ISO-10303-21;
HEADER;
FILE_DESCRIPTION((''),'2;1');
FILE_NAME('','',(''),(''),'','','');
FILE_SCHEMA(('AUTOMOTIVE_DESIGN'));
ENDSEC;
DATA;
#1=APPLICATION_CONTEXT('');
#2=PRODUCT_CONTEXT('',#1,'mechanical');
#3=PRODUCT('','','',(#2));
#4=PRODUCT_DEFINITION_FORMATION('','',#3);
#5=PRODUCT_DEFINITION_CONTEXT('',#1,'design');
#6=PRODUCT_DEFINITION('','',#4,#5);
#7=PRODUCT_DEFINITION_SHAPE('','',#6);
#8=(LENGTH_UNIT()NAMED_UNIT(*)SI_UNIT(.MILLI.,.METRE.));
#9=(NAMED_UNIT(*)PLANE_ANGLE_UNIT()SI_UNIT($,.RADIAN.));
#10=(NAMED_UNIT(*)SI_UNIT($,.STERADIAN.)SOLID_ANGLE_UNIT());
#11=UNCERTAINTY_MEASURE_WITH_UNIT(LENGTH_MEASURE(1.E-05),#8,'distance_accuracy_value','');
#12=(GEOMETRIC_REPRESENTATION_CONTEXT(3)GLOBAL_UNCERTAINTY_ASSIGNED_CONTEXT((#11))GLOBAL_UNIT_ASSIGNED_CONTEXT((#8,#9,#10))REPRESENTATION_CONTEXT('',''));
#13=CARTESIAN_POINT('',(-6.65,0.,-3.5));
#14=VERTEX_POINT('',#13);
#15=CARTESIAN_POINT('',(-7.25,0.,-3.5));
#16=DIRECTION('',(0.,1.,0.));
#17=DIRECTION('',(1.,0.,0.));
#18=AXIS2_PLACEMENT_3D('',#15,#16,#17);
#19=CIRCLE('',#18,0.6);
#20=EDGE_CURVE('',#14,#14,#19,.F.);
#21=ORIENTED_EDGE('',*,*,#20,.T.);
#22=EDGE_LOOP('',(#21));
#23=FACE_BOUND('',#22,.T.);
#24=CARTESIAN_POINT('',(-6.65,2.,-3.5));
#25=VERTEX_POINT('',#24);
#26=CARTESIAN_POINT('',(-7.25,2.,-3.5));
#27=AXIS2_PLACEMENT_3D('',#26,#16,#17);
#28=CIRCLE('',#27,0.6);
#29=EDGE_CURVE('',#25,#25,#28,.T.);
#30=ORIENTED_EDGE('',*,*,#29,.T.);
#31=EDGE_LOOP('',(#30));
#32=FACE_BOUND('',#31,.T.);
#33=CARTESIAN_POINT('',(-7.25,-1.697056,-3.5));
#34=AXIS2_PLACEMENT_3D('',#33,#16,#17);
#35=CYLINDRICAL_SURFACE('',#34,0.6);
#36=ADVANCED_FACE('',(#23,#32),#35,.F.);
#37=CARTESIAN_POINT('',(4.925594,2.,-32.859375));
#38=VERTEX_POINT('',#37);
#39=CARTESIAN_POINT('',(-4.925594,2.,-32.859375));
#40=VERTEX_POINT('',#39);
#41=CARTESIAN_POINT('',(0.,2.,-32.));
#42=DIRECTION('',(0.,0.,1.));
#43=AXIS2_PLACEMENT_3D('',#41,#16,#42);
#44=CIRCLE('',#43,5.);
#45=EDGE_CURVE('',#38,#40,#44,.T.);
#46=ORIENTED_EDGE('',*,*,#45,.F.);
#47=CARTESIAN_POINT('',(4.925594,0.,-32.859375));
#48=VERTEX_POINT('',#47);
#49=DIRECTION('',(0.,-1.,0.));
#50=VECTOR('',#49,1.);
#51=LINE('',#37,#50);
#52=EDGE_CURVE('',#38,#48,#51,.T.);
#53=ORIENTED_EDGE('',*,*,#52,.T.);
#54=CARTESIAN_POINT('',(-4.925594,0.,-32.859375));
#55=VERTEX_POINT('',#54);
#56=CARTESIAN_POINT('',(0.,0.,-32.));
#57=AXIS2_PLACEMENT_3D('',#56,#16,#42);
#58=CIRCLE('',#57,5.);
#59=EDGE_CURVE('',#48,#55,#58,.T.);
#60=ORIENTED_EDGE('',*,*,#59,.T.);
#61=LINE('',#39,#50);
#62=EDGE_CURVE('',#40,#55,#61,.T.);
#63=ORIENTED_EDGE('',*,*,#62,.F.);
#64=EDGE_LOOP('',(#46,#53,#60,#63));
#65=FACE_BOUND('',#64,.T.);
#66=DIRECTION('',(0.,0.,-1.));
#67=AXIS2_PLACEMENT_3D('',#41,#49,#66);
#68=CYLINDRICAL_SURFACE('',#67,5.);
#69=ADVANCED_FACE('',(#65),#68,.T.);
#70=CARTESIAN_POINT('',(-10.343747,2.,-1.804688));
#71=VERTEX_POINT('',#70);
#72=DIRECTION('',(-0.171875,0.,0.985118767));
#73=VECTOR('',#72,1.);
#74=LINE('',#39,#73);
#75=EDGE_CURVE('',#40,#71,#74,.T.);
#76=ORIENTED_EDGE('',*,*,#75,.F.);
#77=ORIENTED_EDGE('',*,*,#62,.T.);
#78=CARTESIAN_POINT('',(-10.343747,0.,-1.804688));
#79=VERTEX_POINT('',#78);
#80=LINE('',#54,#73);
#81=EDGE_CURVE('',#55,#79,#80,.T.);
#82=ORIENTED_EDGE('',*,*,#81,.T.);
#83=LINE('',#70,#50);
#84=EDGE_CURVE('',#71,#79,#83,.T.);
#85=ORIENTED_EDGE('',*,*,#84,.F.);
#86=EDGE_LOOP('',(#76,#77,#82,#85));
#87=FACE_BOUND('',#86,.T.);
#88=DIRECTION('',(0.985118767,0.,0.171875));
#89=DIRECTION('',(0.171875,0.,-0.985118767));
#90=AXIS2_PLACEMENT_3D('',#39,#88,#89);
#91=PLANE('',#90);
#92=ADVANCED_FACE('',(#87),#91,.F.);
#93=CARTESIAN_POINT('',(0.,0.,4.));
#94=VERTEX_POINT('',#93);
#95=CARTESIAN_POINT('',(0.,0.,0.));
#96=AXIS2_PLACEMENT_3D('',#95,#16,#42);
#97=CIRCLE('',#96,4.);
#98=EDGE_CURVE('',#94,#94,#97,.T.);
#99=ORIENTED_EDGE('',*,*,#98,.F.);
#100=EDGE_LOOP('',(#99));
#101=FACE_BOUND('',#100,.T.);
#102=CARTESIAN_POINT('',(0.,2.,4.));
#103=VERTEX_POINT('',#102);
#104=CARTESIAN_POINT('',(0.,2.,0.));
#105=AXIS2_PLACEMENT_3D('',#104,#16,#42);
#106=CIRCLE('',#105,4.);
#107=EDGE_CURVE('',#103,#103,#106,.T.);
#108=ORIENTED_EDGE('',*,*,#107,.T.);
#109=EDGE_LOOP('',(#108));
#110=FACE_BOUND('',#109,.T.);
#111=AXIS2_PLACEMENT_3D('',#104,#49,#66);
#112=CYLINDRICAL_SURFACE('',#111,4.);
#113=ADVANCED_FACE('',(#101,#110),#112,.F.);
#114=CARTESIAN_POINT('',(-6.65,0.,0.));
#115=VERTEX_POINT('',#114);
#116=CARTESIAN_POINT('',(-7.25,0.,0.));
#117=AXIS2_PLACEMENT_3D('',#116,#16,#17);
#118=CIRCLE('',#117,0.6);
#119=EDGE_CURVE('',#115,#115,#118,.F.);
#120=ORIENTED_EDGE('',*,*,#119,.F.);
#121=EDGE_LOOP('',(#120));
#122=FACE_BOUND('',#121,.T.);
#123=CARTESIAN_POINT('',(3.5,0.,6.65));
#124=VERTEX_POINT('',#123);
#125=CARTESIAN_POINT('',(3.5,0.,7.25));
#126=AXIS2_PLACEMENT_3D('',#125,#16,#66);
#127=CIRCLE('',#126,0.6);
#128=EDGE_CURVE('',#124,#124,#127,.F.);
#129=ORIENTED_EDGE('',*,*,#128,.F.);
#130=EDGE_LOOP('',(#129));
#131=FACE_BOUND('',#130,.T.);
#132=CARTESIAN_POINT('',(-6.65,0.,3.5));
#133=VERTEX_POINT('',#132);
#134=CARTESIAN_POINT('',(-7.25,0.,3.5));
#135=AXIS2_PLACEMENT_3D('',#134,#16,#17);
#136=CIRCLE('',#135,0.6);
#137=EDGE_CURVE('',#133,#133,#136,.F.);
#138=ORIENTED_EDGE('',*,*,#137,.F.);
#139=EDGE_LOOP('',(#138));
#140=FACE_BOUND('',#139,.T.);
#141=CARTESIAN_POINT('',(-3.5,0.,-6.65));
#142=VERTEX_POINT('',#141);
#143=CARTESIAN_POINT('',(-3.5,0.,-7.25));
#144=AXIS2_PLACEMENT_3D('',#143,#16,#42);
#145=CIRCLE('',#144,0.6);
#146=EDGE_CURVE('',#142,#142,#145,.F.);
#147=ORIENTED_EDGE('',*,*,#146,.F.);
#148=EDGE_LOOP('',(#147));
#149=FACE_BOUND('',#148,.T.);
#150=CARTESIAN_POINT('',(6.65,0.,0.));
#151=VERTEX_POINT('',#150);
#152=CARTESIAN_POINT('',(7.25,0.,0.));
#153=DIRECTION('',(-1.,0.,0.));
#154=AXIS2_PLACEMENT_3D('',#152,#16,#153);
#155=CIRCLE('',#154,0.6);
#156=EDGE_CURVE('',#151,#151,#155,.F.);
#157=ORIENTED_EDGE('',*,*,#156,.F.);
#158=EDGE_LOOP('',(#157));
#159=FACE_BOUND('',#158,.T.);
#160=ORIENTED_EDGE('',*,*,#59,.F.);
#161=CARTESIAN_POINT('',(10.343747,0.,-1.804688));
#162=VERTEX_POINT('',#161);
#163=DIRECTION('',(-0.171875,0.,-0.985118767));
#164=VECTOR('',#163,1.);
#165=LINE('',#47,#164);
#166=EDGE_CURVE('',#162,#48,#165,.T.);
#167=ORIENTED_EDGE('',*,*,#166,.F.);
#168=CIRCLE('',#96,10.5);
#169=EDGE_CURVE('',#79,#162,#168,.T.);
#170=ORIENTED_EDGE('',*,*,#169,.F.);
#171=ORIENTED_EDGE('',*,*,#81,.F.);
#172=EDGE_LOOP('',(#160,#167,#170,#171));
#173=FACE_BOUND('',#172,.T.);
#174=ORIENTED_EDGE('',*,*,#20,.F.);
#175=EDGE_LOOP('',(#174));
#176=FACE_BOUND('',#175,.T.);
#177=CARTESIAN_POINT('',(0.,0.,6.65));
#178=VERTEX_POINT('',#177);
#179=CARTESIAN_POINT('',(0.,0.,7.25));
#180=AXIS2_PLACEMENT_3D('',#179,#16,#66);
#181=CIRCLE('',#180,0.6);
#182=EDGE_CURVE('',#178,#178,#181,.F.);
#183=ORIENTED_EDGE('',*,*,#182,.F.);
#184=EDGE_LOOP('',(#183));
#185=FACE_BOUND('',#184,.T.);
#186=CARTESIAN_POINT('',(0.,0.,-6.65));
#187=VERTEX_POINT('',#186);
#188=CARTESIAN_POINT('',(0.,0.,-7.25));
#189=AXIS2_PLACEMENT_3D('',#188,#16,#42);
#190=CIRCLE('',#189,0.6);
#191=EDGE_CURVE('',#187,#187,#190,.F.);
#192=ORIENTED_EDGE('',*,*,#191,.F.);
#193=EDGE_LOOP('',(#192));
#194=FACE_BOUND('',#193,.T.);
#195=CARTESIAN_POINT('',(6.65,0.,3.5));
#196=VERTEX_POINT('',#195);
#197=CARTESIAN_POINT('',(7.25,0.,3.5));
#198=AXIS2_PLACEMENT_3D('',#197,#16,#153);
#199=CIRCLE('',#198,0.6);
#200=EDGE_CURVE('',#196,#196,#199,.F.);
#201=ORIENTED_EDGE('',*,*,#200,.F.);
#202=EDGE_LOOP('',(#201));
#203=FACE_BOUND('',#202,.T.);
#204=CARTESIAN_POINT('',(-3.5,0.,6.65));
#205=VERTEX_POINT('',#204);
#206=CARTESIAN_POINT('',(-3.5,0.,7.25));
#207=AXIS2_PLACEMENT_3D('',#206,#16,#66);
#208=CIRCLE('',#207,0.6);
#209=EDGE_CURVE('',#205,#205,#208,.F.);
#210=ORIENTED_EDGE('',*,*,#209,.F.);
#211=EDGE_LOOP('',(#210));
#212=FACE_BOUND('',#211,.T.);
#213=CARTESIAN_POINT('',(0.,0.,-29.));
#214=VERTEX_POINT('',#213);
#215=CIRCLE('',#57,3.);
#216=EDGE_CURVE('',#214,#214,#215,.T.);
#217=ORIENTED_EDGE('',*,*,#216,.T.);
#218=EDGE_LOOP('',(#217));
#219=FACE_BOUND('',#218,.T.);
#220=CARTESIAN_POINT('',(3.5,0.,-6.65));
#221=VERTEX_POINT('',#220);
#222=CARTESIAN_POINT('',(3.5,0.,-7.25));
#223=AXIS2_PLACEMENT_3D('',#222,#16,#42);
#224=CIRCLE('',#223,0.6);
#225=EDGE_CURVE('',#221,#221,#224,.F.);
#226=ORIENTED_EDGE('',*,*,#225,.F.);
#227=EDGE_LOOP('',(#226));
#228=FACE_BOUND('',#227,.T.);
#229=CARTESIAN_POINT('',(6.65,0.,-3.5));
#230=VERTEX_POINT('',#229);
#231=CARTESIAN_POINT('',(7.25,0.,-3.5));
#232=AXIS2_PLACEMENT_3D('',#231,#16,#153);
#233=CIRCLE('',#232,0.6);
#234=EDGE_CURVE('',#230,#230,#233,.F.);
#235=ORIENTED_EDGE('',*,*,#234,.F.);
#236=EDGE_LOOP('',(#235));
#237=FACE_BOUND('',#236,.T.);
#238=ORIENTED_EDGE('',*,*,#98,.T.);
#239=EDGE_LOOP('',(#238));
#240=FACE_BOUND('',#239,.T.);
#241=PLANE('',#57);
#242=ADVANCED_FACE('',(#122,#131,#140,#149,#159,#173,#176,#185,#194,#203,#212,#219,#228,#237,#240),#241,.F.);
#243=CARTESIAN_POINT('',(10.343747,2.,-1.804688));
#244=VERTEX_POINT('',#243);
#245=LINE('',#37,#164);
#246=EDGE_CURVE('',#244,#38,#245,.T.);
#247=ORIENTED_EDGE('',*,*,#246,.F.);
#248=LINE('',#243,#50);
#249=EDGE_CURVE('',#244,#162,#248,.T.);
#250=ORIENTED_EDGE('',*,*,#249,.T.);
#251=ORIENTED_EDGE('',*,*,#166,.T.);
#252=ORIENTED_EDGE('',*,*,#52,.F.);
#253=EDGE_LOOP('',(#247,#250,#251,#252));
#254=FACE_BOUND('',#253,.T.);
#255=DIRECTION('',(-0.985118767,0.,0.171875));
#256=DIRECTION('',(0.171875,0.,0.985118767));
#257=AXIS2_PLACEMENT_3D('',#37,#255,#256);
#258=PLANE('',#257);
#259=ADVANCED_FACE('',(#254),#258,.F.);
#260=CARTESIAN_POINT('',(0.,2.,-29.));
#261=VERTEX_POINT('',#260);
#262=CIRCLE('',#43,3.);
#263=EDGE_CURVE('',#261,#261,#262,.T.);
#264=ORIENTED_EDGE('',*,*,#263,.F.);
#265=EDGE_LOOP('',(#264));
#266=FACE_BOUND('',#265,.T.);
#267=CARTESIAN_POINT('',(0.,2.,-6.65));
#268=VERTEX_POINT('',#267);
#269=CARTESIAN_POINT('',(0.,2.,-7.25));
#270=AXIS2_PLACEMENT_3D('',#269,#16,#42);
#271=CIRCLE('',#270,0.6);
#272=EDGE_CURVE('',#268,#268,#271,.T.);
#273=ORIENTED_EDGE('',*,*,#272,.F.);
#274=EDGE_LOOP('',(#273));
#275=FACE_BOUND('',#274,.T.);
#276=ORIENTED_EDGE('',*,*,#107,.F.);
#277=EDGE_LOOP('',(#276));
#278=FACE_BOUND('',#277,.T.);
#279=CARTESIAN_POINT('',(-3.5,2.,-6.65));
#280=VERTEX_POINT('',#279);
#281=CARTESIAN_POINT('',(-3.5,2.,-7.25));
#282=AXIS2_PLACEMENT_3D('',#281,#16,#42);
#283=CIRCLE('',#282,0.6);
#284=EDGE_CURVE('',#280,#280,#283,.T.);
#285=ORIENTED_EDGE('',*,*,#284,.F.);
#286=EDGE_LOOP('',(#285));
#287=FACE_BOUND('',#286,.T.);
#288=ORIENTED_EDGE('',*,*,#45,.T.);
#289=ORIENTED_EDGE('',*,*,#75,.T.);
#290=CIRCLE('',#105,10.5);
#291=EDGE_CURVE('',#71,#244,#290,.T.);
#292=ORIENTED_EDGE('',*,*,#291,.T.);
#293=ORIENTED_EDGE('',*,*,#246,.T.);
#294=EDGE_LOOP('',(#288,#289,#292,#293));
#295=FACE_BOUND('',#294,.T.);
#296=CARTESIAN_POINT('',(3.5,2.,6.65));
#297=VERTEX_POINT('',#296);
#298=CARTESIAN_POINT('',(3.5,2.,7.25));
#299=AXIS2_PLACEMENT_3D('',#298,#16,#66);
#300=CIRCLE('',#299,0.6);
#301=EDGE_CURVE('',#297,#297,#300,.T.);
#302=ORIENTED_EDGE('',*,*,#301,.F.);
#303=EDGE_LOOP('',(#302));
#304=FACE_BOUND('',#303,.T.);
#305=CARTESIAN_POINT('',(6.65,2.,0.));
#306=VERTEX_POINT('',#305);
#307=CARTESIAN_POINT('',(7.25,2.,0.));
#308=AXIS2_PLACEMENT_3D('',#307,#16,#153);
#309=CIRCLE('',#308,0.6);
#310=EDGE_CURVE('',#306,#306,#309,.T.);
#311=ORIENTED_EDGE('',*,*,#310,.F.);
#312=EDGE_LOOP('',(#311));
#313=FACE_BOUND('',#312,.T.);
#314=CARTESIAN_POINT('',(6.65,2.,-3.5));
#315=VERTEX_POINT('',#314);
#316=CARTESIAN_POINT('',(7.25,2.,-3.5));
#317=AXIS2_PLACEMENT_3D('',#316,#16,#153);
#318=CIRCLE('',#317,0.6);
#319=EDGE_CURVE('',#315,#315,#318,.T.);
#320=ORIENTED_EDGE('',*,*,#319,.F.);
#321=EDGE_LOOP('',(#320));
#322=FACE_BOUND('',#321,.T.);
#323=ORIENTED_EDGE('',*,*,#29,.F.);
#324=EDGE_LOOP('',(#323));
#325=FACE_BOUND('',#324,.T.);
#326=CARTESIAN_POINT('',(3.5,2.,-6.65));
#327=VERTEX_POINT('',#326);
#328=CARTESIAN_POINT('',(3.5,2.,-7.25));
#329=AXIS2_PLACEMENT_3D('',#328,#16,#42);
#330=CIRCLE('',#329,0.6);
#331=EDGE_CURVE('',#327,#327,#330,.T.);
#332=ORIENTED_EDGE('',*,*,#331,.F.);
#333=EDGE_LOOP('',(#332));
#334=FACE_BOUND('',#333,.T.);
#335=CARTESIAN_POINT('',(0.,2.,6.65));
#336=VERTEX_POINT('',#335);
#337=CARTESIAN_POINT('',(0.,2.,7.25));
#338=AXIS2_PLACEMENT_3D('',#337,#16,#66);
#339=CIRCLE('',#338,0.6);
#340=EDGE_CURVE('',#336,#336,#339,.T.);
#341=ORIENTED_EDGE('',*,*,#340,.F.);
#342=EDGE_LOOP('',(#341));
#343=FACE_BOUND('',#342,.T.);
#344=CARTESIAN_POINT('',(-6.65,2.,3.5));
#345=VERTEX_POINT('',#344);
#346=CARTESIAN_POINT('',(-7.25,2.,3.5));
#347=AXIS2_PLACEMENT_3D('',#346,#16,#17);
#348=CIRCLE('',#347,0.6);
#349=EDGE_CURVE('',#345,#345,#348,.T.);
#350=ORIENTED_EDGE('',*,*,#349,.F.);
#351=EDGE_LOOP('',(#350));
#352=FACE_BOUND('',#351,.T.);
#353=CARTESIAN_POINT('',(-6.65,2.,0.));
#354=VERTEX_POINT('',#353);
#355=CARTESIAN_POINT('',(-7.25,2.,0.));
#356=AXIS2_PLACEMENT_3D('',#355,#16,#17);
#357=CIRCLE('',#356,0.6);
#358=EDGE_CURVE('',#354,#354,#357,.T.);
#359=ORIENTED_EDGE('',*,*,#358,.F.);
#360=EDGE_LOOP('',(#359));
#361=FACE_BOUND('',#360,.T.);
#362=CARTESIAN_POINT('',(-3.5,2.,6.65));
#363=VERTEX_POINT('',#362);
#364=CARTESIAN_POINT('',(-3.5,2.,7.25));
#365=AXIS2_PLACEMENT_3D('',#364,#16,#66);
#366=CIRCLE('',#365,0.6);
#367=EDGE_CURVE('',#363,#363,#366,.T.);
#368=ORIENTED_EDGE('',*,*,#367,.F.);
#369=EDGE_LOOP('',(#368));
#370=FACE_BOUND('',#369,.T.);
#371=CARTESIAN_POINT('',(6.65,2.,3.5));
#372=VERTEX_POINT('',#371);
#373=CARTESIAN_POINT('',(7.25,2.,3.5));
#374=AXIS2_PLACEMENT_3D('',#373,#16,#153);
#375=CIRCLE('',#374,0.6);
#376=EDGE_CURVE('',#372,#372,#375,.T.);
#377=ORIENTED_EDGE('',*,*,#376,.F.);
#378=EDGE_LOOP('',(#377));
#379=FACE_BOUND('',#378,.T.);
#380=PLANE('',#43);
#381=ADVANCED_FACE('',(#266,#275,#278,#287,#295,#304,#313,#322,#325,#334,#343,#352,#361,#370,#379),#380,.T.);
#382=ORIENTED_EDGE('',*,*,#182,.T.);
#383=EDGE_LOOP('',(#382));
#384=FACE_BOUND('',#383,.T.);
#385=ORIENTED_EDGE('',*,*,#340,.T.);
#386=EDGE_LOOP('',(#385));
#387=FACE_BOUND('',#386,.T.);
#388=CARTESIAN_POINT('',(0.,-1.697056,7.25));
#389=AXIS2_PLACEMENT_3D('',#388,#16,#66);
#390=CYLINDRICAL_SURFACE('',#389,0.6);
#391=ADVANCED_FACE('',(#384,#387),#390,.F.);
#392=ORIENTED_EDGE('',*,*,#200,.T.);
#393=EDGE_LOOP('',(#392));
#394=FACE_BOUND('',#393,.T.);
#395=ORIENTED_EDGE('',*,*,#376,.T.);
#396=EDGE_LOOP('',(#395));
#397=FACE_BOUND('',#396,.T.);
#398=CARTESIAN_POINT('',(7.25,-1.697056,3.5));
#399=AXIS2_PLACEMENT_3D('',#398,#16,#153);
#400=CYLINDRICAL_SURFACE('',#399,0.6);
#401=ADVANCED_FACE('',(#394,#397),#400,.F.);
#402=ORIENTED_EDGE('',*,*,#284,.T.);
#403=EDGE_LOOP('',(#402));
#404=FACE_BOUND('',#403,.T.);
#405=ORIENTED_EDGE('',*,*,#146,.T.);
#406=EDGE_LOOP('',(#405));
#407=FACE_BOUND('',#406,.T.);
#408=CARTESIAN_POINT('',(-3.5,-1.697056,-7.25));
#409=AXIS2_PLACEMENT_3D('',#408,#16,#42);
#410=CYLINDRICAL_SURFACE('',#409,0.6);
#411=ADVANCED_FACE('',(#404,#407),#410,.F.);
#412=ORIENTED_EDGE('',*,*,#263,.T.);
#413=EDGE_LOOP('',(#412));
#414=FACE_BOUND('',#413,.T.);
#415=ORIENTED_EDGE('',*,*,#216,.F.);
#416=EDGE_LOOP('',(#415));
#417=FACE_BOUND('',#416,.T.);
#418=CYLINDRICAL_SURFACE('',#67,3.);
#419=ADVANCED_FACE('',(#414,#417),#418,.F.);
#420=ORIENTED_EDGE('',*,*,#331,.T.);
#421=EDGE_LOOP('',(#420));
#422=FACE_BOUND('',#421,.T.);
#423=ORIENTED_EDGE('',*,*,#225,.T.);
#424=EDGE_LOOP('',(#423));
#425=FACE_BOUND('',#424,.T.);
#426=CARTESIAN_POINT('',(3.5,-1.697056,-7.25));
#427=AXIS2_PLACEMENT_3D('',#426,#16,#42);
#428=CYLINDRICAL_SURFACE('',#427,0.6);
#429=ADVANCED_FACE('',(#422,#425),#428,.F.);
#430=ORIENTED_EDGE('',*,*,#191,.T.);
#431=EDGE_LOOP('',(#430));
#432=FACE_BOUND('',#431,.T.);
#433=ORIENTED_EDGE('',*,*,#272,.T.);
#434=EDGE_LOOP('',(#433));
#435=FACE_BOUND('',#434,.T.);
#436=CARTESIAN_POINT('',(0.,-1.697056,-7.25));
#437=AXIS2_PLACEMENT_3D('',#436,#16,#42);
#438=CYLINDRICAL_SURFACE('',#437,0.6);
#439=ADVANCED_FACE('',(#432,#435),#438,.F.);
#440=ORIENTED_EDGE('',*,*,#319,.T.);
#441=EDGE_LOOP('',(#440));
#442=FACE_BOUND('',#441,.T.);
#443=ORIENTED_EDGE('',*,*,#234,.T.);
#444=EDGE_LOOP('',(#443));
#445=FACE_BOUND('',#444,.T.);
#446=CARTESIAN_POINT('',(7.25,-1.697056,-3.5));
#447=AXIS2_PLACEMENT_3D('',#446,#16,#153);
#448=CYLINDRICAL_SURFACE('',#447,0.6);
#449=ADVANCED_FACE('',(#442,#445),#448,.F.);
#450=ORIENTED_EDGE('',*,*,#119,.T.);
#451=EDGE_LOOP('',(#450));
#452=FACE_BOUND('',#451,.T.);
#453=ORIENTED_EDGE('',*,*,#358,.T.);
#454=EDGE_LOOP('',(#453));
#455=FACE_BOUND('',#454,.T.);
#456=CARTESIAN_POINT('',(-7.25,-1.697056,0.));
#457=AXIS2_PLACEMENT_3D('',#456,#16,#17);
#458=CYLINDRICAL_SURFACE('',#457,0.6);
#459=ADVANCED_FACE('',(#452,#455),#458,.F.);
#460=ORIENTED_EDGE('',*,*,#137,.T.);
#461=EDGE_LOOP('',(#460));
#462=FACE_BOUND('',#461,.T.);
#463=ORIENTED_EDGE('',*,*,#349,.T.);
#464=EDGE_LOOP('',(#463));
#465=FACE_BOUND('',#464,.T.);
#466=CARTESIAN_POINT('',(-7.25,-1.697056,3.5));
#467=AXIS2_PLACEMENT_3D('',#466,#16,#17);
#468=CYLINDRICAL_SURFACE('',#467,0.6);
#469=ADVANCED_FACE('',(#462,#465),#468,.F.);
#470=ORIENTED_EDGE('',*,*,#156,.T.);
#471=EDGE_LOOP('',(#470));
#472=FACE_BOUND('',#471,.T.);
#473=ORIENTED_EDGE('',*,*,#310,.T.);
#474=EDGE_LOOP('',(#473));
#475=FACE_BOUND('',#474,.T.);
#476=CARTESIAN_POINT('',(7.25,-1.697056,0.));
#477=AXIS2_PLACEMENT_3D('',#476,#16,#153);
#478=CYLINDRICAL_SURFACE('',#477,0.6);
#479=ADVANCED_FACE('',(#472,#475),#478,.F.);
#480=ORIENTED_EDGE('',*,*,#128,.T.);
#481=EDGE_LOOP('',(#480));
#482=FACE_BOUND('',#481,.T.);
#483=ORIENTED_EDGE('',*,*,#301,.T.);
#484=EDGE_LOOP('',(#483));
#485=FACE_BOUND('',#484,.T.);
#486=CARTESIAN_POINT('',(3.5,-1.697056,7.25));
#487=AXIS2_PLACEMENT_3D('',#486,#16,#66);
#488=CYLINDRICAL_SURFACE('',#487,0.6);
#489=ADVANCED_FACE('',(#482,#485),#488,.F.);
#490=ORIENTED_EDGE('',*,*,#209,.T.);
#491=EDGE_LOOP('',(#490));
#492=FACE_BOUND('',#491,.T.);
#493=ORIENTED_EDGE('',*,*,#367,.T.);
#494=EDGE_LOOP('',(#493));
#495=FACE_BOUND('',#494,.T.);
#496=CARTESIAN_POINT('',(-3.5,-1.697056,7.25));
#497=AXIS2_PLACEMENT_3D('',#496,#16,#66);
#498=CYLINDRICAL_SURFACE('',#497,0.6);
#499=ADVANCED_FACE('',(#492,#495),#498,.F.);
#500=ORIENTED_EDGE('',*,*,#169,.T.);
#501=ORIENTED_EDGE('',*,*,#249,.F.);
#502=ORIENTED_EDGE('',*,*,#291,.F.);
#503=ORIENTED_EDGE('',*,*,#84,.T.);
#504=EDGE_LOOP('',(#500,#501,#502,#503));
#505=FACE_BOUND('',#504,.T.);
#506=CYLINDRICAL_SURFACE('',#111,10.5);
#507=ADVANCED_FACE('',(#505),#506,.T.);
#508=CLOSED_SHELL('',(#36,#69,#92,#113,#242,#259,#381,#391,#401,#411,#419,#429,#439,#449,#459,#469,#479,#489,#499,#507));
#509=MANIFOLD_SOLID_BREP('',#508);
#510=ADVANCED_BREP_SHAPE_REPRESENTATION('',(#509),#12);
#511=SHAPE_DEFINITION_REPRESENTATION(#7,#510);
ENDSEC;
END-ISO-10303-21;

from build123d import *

# Parameters (mm, degrees)
CROQUIS1_R              = 4
CROQUIS1_R_2            = 3
SALIENTE_EXTRUIR1_DEPTH = 2
SKETCH1_R               = 0.6
CUT_EXTRUDE1_DEPTH      = 2
CIRPATTERN1_COUNT       = 4


with BuildPart() as part:
    # Croquis1 → Saliente-Extruir1 (new body)
    with BuildSketch(Plane(origin=(0, 0, 0), x_dir=(1, 0, 0), z_dir=(0, 1, 0))):
        with BuildLine():
            Line((4.925593833, 32.859375), (10.34374705, 1.8046875))
            ThreePointArc((10.34374705, 1.8046875), (0, -10.5), (-10.34374705, 1.8046875))
            Line((-10.34374705, 1.8046875), (-4.925593833, 32.859375))
            ThreePointArc((-4.925593833, 32.859375), (0, 37), (4.925593833, 32.859375))
        make_face()
        Circle(CROQUIS1_R, mode=Mode.SUBTRACT)
        with Locations((0, 32)):
            Circle(CROQUIS1_R_2, mode=Mode.SUBTRACT)
    extrude(amount=SALIENTE_EXTRUIR1_DEPTH)

    # Sketch1 → Cut-Extrude1 (cut)
    with BuildSketch(Plane(origin=(0, 2, 0), x_dir=(1, 0, 0), z_dir=(0, 1, 0))):
        with Locations((0, 7.25)):
            Circle(SKETCH1_R)
        with Locations((-3.5, 7.25)):
            Circle(SKETCH1_R)
        with Locations((3.5, 7.25)):
            Circle(SKETCH1_R)
    cut_extrude1 = extrude(amount=-CUT_EXTRUDE1_DEPTH, mode=Mode.SUBTRACT)

    # CirPattern1: Cut-Extrude1 ×4 about axis
    cirpattern1_axis = Axis((0, 0, 0), (0, 1, 0))
    for i in range(1, CIRPATTERN1_COUNT):
        add(cut_extrude1.rotate(cirpattern1_axis, i * 360 / CIRPATTERN1_COUNT), mode=Mode.SUBTRACT)


solid = part.part
